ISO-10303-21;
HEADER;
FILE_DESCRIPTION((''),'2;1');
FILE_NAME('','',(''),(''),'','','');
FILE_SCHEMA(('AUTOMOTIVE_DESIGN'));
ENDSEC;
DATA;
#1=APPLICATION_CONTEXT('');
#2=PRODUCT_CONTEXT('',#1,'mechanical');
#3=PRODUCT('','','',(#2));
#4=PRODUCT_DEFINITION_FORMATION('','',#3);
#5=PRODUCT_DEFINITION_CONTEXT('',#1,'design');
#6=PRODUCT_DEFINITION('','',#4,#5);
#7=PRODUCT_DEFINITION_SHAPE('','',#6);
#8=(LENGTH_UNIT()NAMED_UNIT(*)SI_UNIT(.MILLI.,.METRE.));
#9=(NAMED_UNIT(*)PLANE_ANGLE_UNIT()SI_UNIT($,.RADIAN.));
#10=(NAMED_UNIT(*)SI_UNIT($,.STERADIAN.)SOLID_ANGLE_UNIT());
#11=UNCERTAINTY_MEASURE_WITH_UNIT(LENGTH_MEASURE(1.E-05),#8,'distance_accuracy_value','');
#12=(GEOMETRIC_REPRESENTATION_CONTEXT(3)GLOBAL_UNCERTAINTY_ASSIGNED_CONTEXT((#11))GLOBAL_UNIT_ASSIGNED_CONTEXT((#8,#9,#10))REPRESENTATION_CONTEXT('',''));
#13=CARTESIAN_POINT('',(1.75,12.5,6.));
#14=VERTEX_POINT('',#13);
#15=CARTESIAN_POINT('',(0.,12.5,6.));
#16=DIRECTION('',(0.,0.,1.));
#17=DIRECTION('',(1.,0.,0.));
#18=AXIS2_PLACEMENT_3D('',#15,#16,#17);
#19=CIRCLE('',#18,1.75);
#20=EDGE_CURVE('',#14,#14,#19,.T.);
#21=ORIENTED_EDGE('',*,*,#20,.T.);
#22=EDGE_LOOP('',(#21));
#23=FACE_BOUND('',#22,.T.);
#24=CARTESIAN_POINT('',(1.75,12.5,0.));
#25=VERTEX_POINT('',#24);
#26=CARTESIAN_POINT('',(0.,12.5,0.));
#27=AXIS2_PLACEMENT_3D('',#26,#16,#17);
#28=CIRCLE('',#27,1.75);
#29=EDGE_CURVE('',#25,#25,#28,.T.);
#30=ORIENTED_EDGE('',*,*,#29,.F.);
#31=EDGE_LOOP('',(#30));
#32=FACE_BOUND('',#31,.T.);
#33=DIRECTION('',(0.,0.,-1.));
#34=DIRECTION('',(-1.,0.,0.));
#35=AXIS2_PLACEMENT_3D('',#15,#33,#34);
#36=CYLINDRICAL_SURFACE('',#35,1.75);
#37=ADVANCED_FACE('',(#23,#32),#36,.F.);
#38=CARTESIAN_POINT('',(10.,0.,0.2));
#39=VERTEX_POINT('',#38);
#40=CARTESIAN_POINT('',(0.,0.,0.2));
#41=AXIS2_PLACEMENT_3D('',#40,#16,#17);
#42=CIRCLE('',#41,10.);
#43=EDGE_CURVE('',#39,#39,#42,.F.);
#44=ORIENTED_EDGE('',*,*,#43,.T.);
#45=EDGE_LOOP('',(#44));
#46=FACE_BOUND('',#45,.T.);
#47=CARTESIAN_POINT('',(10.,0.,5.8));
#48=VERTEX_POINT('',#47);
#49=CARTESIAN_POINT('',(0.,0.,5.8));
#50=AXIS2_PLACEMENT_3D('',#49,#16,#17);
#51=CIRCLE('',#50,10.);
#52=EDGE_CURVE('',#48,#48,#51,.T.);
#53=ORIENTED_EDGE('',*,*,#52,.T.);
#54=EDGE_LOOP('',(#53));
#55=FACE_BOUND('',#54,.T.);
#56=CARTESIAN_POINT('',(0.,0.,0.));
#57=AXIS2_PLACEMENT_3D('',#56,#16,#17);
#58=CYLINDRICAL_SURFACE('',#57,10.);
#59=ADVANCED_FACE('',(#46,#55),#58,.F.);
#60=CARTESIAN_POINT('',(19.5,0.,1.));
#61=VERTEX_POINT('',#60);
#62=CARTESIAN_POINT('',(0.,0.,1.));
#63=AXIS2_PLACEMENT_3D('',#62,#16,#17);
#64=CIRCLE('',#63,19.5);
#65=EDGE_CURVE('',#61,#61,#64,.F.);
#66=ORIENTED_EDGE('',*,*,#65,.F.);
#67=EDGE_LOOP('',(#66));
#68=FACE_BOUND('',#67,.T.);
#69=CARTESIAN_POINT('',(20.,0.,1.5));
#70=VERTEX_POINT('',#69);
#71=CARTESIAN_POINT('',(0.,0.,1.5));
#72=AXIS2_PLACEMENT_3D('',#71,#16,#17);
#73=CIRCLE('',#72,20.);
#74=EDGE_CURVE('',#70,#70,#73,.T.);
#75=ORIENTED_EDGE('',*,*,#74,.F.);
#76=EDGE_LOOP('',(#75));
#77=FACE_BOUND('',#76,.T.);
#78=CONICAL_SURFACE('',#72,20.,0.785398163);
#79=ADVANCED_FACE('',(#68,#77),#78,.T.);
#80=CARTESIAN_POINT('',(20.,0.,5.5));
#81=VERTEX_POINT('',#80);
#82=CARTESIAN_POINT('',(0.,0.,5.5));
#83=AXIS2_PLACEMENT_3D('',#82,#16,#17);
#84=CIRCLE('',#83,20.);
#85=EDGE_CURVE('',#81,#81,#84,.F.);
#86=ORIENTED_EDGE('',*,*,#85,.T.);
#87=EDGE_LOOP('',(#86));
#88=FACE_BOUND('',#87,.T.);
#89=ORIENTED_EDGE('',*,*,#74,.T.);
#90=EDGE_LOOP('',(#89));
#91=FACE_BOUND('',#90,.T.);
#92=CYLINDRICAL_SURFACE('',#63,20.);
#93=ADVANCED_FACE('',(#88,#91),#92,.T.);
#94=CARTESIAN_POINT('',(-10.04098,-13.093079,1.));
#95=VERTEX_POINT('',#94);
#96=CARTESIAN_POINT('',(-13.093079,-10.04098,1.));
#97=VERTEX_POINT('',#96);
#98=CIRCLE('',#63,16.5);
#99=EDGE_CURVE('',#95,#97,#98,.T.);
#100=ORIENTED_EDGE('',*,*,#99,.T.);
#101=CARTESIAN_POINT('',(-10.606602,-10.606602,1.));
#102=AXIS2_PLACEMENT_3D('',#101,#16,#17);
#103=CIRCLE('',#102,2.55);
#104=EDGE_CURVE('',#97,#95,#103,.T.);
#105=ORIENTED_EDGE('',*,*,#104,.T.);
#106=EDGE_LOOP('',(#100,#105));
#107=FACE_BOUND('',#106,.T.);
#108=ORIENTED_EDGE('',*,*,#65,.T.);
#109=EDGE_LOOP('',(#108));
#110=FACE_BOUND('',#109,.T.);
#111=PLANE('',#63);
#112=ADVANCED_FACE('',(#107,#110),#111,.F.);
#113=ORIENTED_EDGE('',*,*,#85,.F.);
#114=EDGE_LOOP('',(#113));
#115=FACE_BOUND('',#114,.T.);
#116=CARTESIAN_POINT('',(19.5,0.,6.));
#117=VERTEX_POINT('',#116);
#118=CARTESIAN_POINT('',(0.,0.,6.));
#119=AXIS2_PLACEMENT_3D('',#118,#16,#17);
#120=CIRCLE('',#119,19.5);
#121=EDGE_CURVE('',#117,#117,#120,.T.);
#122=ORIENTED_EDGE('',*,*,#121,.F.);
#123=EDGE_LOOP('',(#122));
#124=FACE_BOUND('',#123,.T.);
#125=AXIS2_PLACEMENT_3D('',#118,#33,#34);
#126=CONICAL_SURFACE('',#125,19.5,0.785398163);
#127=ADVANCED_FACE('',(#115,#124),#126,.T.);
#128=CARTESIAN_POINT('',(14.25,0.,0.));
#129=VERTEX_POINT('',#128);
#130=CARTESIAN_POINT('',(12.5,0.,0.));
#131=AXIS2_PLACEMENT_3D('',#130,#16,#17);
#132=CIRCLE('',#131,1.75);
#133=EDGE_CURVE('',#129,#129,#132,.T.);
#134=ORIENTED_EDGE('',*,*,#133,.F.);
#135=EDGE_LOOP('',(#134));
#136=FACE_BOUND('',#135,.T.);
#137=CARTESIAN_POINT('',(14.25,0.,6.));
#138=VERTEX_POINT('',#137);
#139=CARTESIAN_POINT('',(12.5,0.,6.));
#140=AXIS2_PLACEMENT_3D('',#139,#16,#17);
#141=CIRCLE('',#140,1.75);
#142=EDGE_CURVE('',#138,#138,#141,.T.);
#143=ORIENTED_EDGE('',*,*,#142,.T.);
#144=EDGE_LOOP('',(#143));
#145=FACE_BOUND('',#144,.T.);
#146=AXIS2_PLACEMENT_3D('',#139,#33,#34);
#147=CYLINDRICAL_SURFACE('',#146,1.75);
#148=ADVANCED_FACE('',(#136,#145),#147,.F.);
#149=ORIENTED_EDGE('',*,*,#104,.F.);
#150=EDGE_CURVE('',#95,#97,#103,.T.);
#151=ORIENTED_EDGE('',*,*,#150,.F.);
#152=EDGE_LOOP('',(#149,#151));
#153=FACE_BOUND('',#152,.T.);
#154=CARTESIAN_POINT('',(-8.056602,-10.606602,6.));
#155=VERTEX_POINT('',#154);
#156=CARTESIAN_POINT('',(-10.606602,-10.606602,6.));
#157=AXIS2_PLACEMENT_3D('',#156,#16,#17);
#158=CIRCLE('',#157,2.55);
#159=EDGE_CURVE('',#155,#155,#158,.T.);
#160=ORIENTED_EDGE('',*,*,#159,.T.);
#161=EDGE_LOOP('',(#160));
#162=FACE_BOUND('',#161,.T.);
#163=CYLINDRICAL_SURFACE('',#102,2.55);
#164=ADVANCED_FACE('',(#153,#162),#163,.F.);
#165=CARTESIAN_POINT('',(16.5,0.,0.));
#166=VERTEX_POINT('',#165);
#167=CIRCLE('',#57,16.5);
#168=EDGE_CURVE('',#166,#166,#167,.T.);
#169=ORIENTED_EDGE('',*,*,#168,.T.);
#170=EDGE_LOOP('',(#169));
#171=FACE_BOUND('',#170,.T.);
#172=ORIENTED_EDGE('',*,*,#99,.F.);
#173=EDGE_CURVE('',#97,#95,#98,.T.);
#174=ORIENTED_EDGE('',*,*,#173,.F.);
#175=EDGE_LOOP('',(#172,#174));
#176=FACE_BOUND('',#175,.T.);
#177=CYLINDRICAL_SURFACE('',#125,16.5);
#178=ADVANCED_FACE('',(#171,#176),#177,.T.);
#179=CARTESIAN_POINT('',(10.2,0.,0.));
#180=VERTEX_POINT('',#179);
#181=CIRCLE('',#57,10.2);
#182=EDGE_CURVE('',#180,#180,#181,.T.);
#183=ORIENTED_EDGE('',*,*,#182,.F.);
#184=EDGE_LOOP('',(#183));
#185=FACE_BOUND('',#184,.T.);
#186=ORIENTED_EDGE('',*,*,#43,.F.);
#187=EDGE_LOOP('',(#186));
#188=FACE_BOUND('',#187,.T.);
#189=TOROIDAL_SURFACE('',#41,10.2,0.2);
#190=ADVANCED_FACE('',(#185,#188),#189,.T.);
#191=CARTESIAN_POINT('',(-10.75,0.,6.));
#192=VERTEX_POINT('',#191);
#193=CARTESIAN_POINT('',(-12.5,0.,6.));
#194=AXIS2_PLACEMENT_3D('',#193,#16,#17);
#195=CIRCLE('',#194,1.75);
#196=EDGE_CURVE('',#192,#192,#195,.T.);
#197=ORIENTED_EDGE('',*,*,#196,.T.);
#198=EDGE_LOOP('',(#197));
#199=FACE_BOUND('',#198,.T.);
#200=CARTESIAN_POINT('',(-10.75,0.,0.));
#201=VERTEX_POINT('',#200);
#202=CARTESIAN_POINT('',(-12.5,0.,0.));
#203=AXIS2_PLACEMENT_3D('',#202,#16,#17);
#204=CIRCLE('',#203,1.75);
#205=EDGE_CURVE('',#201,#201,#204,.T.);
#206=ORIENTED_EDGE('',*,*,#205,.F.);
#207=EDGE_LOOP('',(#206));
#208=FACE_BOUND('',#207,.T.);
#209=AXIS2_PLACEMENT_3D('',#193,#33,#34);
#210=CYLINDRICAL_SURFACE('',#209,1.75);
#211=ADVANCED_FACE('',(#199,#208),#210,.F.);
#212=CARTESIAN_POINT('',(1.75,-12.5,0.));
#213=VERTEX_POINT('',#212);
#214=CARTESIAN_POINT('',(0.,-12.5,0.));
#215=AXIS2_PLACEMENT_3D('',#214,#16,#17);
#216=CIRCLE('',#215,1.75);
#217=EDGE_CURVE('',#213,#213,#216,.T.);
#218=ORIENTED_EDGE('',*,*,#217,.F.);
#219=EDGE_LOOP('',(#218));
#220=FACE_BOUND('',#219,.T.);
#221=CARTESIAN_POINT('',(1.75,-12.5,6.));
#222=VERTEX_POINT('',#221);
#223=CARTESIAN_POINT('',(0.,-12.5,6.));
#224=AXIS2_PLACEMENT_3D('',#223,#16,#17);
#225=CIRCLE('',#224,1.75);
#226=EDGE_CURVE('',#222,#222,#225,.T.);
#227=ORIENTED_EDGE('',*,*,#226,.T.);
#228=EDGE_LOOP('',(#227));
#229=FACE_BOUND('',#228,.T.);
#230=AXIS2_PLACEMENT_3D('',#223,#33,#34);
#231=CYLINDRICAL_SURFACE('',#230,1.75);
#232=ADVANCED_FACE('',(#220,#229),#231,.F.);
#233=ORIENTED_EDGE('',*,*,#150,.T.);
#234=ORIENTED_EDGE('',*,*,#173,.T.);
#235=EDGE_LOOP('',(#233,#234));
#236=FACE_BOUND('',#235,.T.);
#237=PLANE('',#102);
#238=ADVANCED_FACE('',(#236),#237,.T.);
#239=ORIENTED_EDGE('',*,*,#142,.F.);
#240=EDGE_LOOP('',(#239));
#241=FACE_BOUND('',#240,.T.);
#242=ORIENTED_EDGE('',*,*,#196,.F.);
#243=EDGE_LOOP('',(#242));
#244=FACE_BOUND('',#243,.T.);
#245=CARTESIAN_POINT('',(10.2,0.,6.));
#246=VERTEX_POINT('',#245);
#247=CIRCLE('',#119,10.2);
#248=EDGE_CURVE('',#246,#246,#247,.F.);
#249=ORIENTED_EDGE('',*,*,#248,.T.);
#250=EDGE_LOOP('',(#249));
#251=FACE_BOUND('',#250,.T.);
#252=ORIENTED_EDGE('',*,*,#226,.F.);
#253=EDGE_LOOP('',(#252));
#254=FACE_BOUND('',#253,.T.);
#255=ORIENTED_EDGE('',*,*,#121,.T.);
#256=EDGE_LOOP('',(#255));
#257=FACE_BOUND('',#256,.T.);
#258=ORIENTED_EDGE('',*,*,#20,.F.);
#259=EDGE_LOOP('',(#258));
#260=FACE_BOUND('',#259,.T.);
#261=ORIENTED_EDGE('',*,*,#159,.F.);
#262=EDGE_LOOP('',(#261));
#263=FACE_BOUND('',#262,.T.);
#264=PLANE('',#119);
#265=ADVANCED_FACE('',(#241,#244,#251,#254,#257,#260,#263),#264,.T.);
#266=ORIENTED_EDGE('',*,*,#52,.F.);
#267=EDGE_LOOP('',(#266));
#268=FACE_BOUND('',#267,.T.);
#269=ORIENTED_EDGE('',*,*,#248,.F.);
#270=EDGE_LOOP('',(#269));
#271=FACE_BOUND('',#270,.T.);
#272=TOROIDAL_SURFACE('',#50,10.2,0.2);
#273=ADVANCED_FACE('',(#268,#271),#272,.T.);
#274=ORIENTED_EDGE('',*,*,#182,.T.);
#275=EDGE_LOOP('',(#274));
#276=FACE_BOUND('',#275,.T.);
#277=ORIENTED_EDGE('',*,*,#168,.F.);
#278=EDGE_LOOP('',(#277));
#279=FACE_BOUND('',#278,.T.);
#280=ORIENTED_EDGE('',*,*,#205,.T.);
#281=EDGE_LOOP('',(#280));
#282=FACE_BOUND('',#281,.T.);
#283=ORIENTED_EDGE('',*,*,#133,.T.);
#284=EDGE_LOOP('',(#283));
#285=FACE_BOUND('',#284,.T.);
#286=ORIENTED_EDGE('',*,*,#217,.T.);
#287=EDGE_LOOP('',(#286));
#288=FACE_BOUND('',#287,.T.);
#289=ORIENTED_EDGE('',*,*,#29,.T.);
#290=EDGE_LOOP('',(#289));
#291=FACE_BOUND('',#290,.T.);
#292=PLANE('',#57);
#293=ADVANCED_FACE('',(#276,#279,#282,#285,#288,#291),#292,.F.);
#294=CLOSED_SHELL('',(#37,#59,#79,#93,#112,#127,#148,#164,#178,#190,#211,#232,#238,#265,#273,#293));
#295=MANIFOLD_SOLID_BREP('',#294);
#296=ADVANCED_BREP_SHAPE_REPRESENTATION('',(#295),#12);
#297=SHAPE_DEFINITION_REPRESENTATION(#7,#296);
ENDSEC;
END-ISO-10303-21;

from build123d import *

# Parameters (mm, degrees)
SKETCH1_R           = 16.5
SKETCH1_R_2         = 9.5
SKETCH1_R_3         = 1.75
BOSS_EXTRUDE1_DEPTH = 6
SKETCH2_R           = 2.8
CUT_EXTRUDE1_DEPTH  = 3
BOSS_EXTRUDE2_START = -5
SKETCH3_R           = 20
SKETCH3_R_2         = 1.75
SKETCH3_R_3         = 2.8
BOSS_EXTRUDE2_DEPTH = 5
SKETCH6_R           = 2.55
CUT_EXTRUDE3_DEPTH  = 5
SKETCH7_R           = 10
CUT_EXTRUDE4_DEPTH  = 29.91366459
FILLET1_R           = 0.2
CHAMFER1_SIZE       = 0.5


with BuildPart() as part:
    # Sketch1 → Boss-Extrude1 (new body)
    with BuildSketch(Plane.XY):
        Circle(SKETCH1_R)
        Circle(SKETCH1_R_2, mode=Mode.SUBTRACT)
        with Locations((12.5, 0)):
            Circle(SKETCH1_R_3, mode=Mode.SUBTRACT)
        with Locations((0, -12.5)):
            Circle(SKETCH1_R_3, mode=Mode.SUBTRACT)
        with Locations((-12.5, 0)):
            Circle(SKETCH1_R_3, mode=Mode.SUBTRACT)
        with Locations((0, 12.5)):
            Circle(SKETCH1_R_3, mode=Mode.SUBTRACT)
    extrude(amount=BOSS_EXTRUDE1_DEPTH)

    # Sketch2 → Cut-Extrude1 (cut)
    with BuildSketch(Plane.XY.offset(6)):
        with Locations((12.5, 0)):
            Circle(SKETCH2_R)
    extrude(amount=-CUT_EXTRUDE1_DEPTH, mode=Mode.SUBTRACT)

    # Sketch3 → Boss-Extrude2 (add)
    with BuildSketch(Plane.XY.offset(6).offset(BOSS_EXTRUDE2_START)):
        Circle(SKETCH3_R)
        with Locations((12.5, 0)):
            Circle(SKETCH3_R_2, mode=Mode.SUBTRACT)
        with Locations((0, -12.5)):
            Circle(SKETCH3_R_3, mode=Mode.SUBTRACT)
        with Locations((-12.5, 0)):
            Circle(SKETCH3_R_3, mode=Mode.SUBTRACT)
        with Locations((0, 12.5)):
            Circle(SKETCH3_R_3, mode=Mode.SUBTRACT)
    extrude(amount=BOSS_EXTRUDE2_DEPTH)

    # Sketch6 → Cut-Extrude3 (cut)
    with BuildSketch(Plane.XY.offset(6)):
        with Locations((-10.606601718, -10.606601718)):
            Circle(SKETCH6_R)
    extrude(amount=-CUT_EXTRUDE3_DEPTH, mode=Mode.SUBTRACT)

    # Sketch7 → Cut-Extrude4 (cut, through all)
    with BuildSketch(Plane.XY.offset(6)):
        Circle(SKETCH7_R)
    extrude(amount=-CUT_EXTRUDE4_DEPTH, mode=Mode.SUBTRACT)

    # Fillet1
    fillet1_edges = [part.edges().sort_by_distance(p)[0] for p in [
        (-10, 0, 0),
        (-10, 0, 6),
    ]]
    fillet(fillet1_edges, radius=FILLET1_R)

    # Chamfer1
    chamfer1_edges = [part.edges().sort_by_distance(p)[0] for p in [
        (-20, 0, 6),
        (-20, 0, 1),
    ]]
    chamfer(chamfer1_edges, length=CHAMFER1_SIZE)


solid = part.part
